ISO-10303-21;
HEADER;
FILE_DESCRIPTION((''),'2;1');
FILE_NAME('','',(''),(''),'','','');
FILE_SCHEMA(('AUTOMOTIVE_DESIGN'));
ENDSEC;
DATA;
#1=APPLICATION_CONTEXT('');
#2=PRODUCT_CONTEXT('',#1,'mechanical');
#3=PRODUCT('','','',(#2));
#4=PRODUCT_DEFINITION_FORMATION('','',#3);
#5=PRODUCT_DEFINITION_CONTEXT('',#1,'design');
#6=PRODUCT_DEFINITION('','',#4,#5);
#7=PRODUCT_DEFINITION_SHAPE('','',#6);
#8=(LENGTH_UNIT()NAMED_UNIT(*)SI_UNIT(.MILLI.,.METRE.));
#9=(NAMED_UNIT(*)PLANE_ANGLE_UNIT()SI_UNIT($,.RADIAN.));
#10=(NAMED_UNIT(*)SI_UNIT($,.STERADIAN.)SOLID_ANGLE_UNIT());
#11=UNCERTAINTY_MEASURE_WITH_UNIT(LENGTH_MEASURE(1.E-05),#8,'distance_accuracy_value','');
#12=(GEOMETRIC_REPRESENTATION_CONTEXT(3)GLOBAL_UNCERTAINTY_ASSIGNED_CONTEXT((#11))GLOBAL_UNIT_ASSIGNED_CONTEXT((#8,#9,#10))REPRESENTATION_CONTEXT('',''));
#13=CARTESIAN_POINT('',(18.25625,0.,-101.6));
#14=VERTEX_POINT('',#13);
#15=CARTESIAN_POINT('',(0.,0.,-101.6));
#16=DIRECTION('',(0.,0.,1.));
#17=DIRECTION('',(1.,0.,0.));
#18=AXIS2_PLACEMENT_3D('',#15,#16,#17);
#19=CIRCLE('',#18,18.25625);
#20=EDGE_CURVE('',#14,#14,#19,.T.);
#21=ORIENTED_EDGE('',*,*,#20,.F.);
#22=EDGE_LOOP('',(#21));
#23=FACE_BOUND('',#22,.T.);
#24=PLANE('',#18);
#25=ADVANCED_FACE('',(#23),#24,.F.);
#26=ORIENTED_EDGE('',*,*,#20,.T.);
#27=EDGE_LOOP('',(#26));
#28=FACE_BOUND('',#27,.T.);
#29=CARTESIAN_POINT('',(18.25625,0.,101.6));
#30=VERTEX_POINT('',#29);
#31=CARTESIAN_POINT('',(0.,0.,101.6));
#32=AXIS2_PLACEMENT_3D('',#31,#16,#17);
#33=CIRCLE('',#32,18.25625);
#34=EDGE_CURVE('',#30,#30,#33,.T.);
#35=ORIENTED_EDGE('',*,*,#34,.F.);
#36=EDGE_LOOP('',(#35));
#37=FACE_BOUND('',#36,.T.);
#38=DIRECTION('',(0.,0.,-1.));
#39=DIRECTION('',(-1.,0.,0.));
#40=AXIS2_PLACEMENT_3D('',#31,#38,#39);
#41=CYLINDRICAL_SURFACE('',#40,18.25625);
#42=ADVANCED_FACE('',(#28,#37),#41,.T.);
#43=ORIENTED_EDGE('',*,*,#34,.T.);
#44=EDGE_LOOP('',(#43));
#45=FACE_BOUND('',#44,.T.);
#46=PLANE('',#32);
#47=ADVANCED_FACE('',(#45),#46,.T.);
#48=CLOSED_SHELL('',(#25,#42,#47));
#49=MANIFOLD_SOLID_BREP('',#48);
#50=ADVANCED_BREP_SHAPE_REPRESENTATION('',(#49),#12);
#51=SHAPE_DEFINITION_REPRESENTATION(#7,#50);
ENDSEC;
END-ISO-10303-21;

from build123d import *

# Parameters (mm, degrees)
SKETCH1_R           = 18.25625
BOSS_EXTRUDE1_DEPTH = 101.6


with BuildPart() as part:
    # Sketch1 → Boss-Extrude1 (new body, symmetric)
    with BuildSketch(Plane.XY):
        Circle(SKETCH1_R)
    extrude(amount=BOSS_EXTRUDE1_DEPTH, both=True)


solid = part.part
